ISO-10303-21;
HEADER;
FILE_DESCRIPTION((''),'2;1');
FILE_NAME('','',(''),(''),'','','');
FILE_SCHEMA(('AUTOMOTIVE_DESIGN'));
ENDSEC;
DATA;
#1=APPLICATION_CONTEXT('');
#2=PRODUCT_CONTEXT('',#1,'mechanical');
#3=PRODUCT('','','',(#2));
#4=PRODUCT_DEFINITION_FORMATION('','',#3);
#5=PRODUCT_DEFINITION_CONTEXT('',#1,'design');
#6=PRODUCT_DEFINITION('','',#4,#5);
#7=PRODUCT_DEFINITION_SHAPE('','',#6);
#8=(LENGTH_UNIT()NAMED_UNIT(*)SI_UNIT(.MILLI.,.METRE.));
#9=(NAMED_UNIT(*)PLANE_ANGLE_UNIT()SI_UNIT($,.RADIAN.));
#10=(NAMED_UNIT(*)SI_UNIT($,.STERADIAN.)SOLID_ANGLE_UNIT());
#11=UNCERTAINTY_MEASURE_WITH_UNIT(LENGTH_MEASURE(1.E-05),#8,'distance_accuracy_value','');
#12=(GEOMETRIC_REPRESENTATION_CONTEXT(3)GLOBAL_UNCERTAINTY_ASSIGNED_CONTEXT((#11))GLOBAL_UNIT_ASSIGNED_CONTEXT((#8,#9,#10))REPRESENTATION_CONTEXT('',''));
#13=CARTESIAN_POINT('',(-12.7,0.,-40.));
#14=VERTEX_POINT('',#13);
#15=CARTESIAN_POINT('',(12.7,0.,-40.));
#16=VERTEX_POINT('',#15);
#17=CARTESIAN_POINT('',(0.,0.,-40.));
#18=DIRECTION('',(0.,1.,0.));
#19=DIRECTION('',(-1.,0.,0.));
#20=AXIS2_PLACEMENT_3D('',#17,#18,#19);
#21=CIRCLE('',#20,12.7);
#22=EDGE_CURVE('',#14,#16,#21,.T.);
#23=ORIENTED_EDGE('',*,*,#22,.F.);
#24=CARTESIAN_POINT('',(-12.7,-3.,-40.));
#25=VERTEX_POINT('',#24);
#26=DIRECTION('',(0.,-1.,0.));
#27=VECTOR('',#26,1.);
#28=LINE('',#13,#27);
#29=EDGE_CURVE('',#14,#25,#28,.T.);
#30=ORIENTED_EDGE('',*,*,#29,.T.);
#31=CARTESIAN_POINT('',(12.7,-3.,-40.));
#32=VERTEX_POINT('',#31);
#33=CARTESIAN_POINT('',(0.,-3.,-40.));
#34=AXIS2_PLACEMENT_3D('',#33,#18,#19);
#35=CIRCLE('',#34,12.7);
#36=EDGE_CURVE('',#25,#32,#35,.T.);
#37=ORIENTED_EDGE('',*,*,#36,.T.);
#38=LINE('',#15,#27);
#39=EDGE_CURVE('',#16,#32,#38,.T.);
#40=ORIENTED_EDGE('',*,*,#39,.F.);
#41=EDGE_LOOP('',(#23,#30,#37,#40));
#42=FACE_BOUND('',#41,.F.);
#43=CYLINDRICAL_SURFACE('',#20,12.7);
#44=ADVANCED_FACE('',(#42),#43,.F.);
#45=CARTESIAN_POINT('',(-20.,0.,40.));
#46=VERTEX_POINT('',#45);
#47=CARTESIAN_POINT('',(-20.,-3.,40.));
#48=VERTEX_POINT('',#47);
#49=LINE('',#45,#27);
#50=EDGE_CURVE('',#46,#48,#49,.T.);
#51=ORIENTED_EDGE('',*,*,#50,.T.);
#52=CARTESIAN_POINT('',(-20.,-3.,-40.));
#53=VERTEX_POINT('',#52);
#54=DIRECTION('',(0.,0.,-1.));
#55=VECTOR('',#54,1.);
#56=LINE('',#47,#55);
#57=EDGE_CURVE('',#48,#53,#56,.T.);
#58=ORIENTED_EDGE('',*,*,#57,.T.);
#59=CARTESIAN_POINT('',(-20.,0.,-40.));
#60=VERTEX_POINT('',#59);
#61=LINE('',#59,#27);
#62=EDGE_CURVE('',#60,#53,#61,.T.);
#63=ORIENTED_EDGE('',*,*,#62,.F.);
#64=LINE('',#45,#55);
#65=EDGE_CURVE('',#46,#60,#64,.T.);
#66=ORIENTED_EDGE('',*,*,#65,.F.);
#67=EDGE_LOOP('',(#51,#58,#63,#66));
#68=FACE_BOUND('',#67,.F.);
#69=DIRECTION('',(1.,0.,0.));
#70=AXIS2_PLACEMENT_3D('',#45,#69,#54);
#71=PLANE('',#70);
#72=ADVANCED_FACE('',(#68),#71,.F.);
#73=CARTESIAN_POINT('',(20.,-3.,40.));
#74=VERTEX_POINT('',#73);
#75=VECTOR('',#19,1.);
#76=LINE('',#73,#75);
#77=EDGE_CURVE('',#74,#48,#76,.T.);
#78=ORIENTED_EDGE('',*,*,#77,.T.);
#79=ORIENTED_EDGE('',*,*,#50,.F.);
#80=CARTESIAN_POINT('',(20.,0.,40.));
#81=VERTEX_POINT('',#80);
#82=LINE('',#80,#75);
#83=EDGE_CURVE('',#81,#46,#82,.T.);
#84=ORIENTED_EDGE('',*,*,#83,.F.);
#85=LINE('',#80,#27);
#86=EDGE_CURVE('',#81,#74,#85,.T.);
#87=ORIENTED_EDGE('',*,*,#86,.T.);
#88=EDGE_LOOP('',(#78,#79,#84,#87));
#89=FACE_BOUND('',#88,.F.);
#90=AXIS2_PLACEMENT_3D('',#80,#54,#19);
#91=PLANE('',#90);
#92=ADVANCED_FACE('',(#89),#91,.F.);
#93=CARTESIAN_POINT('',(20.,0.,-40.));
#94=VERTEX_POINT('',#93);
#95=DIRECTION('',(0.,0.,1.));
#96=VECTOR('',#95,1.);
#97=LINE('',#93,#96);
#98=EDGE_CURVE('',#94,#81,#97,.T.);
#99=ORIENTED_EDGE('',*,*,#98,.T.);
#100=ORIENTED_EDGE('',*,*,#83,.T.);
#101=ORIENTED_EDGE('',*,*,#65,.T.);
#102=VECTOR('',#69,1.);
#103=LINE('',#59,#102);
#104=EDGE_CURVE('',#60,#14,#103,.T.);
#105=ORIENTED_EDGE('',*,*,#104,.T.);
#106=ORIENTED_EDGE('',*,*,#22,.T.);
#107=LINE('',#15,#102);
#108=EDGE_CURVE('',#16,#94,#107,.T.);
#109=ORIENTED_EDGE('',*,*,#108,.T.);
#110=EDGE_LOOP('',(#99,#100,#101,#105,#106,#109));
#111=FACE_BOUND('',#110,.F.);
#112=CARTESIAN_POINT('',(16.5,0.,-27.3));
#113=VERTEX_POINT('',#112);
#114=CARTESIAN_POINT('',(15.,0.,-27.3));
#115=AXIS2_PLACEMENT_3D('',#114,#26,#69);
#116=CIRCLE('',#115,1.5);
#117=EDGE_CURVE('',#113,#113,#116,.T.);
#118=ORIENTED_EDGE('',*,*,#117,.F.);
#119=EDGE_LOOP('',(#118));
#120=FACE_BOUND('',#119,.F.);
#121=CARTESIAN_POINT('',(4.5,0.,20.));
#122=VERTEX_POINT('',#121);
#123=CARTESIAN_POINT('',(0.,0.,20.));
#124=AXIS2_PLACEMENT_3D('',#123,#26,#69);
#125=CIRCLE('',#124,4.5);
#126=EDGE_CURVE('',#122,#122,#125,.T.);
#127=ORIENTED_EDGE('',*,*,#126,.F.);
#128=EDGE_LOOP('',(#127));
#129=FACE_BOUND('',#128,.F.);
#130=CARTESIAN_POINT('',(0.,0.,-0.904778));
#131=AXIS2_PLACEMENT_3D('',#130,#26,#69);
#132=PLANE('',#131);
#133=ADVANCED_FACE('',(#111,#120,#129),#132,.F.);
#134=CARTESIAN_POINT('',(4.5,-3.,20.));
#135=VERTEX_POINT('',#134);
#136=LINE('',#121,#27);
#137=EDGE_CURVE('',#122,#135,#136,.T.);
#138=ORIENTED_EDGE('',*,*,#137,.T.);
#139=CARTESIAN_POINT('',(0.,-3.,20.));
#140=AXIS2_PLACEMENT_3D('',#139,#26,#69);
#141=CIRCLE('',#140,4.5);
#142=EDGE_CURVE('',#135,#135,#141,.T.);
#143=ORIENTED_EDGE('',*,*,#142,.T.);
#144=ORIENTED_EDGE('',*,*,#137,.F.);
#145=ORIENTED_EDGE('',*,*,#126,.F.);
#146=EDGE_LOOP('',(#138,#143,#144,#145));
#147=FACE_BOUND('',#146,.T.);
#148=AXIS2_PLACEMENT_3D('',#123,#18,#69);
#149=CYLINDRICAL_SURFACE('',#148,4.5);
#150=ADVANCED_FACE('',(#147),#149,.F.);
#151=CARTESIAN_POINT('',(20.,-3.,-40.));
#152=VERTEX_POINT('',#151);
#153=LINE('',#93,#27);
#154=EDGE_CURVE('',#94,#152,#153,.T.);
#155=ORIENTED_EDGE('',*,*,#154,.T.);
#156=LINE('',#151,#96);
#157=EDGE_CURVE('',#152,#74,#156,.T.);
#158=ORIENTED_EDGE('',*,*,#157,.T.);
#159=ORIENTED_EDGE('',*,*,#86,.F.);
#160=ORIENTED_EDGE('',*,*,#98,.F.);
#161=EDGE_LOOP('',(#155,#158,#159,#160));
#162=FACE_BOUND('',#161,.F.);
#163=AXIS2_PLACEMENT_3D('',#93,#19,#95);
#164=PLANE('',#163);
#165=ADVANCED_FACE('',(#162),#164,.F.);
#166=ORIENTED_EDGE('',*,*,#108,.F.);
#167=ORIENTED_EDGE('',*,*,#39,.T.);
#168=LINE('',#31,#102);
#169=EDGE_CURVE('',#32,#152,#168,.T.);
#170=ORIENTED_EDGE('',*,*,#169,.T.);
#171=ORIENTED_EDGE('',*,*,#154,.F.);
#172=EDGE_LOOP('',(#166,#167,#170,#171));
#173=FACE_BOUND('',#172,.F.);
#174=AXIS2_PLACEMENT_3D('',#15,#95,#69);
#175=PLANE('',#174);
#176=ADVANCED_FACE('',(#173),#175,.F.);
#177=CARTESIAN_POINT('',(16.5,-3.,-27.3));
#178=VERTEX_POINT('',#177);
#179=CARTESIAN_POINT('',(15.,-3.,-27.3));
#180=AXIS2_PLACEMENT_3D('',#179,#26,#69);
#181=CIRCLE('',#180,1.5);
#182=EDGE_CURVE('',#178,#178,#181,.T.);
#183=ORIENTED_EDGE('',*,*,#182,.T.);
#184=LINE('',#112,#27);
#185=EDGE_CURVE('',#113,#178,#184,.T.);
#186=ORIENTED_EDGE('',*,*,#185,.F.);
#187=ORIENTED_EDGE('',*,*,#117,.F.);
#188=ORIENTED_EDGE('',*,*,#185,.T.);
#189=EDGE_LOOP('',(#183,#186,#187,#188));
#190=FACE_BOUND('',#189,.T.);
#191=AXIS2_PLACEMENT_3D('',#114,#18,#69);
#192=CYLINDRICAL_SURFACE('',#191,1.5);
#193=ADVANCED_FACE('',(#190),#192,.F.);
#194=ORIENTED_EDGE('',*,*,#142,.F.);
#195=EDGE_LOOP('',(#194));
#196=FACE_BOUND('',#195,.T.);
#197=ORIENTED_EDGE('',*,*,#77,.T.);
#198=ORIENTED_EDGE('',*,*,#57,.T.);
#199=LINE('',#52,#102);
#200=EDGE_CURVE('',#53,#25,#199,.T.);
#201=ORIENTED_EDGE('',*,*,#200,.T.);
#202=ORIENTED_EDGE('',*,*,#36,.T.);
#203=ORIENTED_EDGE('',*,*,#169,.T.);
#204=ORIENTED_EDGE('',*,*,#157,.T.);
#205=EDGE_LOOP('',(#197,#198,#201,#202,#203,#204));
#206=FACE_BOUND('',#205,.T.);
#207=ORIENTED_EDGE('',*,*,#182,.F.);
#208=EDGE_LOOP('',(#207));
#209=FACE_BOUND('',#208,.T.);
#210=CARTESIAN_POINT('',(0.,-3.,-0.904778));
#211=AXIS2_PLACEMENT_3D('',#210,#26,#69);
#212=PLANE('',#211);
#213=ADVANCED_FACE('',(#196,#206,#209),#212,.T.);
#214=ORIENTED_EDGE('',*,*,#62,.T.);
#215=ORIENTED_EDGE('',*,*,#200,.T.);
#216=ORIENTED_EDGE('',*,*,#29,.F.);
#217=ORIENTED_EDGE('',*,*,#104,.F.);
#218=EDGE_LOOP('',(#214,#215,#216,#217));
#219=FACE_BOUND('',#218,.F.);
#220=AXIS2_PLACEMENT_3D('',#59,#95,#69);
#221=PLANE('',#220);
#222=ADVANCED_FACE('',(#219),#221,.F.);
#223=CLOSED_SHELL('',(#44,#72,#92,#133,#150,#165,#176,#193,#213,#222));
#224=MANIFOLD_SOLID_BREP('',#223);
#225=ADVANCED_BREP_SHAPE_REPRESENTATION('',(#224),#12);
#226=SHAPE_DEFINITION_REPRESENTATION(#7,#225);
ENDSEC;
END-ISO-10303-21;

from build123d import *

# Parameters (mm, degrees)
F0_R     = 1.5
F0_R_2   = 4.5
F1_DEPTH = 3


with BuildPart() as f1:
    # F0 (on Front) → F1 (new body)
    with BuildSketch(Plane.XZ):
        with BuildLine():
            Line((20, 40), (-20, 40))
            Line((-20, 40), (-20, -40))
            Line((-20, -40), (-12.7, -40))
            ThreePointArc((-12.7, -40), (0, -27.3), (12.7, -40))
            Line((12.7, -40), (20, -40))
            Line((20, -40), (20, 40))
        make_face()
        with Locations((15, -27.3)):
            Circle(F0_R, mode=Mode.SUBTRACT)
        with Locations((0, 20)):
            Circle(F0_R_2, mode=Mode.SUBTRACT)
    extrude(amount=F1_DEPTH)


solid = f1.part
